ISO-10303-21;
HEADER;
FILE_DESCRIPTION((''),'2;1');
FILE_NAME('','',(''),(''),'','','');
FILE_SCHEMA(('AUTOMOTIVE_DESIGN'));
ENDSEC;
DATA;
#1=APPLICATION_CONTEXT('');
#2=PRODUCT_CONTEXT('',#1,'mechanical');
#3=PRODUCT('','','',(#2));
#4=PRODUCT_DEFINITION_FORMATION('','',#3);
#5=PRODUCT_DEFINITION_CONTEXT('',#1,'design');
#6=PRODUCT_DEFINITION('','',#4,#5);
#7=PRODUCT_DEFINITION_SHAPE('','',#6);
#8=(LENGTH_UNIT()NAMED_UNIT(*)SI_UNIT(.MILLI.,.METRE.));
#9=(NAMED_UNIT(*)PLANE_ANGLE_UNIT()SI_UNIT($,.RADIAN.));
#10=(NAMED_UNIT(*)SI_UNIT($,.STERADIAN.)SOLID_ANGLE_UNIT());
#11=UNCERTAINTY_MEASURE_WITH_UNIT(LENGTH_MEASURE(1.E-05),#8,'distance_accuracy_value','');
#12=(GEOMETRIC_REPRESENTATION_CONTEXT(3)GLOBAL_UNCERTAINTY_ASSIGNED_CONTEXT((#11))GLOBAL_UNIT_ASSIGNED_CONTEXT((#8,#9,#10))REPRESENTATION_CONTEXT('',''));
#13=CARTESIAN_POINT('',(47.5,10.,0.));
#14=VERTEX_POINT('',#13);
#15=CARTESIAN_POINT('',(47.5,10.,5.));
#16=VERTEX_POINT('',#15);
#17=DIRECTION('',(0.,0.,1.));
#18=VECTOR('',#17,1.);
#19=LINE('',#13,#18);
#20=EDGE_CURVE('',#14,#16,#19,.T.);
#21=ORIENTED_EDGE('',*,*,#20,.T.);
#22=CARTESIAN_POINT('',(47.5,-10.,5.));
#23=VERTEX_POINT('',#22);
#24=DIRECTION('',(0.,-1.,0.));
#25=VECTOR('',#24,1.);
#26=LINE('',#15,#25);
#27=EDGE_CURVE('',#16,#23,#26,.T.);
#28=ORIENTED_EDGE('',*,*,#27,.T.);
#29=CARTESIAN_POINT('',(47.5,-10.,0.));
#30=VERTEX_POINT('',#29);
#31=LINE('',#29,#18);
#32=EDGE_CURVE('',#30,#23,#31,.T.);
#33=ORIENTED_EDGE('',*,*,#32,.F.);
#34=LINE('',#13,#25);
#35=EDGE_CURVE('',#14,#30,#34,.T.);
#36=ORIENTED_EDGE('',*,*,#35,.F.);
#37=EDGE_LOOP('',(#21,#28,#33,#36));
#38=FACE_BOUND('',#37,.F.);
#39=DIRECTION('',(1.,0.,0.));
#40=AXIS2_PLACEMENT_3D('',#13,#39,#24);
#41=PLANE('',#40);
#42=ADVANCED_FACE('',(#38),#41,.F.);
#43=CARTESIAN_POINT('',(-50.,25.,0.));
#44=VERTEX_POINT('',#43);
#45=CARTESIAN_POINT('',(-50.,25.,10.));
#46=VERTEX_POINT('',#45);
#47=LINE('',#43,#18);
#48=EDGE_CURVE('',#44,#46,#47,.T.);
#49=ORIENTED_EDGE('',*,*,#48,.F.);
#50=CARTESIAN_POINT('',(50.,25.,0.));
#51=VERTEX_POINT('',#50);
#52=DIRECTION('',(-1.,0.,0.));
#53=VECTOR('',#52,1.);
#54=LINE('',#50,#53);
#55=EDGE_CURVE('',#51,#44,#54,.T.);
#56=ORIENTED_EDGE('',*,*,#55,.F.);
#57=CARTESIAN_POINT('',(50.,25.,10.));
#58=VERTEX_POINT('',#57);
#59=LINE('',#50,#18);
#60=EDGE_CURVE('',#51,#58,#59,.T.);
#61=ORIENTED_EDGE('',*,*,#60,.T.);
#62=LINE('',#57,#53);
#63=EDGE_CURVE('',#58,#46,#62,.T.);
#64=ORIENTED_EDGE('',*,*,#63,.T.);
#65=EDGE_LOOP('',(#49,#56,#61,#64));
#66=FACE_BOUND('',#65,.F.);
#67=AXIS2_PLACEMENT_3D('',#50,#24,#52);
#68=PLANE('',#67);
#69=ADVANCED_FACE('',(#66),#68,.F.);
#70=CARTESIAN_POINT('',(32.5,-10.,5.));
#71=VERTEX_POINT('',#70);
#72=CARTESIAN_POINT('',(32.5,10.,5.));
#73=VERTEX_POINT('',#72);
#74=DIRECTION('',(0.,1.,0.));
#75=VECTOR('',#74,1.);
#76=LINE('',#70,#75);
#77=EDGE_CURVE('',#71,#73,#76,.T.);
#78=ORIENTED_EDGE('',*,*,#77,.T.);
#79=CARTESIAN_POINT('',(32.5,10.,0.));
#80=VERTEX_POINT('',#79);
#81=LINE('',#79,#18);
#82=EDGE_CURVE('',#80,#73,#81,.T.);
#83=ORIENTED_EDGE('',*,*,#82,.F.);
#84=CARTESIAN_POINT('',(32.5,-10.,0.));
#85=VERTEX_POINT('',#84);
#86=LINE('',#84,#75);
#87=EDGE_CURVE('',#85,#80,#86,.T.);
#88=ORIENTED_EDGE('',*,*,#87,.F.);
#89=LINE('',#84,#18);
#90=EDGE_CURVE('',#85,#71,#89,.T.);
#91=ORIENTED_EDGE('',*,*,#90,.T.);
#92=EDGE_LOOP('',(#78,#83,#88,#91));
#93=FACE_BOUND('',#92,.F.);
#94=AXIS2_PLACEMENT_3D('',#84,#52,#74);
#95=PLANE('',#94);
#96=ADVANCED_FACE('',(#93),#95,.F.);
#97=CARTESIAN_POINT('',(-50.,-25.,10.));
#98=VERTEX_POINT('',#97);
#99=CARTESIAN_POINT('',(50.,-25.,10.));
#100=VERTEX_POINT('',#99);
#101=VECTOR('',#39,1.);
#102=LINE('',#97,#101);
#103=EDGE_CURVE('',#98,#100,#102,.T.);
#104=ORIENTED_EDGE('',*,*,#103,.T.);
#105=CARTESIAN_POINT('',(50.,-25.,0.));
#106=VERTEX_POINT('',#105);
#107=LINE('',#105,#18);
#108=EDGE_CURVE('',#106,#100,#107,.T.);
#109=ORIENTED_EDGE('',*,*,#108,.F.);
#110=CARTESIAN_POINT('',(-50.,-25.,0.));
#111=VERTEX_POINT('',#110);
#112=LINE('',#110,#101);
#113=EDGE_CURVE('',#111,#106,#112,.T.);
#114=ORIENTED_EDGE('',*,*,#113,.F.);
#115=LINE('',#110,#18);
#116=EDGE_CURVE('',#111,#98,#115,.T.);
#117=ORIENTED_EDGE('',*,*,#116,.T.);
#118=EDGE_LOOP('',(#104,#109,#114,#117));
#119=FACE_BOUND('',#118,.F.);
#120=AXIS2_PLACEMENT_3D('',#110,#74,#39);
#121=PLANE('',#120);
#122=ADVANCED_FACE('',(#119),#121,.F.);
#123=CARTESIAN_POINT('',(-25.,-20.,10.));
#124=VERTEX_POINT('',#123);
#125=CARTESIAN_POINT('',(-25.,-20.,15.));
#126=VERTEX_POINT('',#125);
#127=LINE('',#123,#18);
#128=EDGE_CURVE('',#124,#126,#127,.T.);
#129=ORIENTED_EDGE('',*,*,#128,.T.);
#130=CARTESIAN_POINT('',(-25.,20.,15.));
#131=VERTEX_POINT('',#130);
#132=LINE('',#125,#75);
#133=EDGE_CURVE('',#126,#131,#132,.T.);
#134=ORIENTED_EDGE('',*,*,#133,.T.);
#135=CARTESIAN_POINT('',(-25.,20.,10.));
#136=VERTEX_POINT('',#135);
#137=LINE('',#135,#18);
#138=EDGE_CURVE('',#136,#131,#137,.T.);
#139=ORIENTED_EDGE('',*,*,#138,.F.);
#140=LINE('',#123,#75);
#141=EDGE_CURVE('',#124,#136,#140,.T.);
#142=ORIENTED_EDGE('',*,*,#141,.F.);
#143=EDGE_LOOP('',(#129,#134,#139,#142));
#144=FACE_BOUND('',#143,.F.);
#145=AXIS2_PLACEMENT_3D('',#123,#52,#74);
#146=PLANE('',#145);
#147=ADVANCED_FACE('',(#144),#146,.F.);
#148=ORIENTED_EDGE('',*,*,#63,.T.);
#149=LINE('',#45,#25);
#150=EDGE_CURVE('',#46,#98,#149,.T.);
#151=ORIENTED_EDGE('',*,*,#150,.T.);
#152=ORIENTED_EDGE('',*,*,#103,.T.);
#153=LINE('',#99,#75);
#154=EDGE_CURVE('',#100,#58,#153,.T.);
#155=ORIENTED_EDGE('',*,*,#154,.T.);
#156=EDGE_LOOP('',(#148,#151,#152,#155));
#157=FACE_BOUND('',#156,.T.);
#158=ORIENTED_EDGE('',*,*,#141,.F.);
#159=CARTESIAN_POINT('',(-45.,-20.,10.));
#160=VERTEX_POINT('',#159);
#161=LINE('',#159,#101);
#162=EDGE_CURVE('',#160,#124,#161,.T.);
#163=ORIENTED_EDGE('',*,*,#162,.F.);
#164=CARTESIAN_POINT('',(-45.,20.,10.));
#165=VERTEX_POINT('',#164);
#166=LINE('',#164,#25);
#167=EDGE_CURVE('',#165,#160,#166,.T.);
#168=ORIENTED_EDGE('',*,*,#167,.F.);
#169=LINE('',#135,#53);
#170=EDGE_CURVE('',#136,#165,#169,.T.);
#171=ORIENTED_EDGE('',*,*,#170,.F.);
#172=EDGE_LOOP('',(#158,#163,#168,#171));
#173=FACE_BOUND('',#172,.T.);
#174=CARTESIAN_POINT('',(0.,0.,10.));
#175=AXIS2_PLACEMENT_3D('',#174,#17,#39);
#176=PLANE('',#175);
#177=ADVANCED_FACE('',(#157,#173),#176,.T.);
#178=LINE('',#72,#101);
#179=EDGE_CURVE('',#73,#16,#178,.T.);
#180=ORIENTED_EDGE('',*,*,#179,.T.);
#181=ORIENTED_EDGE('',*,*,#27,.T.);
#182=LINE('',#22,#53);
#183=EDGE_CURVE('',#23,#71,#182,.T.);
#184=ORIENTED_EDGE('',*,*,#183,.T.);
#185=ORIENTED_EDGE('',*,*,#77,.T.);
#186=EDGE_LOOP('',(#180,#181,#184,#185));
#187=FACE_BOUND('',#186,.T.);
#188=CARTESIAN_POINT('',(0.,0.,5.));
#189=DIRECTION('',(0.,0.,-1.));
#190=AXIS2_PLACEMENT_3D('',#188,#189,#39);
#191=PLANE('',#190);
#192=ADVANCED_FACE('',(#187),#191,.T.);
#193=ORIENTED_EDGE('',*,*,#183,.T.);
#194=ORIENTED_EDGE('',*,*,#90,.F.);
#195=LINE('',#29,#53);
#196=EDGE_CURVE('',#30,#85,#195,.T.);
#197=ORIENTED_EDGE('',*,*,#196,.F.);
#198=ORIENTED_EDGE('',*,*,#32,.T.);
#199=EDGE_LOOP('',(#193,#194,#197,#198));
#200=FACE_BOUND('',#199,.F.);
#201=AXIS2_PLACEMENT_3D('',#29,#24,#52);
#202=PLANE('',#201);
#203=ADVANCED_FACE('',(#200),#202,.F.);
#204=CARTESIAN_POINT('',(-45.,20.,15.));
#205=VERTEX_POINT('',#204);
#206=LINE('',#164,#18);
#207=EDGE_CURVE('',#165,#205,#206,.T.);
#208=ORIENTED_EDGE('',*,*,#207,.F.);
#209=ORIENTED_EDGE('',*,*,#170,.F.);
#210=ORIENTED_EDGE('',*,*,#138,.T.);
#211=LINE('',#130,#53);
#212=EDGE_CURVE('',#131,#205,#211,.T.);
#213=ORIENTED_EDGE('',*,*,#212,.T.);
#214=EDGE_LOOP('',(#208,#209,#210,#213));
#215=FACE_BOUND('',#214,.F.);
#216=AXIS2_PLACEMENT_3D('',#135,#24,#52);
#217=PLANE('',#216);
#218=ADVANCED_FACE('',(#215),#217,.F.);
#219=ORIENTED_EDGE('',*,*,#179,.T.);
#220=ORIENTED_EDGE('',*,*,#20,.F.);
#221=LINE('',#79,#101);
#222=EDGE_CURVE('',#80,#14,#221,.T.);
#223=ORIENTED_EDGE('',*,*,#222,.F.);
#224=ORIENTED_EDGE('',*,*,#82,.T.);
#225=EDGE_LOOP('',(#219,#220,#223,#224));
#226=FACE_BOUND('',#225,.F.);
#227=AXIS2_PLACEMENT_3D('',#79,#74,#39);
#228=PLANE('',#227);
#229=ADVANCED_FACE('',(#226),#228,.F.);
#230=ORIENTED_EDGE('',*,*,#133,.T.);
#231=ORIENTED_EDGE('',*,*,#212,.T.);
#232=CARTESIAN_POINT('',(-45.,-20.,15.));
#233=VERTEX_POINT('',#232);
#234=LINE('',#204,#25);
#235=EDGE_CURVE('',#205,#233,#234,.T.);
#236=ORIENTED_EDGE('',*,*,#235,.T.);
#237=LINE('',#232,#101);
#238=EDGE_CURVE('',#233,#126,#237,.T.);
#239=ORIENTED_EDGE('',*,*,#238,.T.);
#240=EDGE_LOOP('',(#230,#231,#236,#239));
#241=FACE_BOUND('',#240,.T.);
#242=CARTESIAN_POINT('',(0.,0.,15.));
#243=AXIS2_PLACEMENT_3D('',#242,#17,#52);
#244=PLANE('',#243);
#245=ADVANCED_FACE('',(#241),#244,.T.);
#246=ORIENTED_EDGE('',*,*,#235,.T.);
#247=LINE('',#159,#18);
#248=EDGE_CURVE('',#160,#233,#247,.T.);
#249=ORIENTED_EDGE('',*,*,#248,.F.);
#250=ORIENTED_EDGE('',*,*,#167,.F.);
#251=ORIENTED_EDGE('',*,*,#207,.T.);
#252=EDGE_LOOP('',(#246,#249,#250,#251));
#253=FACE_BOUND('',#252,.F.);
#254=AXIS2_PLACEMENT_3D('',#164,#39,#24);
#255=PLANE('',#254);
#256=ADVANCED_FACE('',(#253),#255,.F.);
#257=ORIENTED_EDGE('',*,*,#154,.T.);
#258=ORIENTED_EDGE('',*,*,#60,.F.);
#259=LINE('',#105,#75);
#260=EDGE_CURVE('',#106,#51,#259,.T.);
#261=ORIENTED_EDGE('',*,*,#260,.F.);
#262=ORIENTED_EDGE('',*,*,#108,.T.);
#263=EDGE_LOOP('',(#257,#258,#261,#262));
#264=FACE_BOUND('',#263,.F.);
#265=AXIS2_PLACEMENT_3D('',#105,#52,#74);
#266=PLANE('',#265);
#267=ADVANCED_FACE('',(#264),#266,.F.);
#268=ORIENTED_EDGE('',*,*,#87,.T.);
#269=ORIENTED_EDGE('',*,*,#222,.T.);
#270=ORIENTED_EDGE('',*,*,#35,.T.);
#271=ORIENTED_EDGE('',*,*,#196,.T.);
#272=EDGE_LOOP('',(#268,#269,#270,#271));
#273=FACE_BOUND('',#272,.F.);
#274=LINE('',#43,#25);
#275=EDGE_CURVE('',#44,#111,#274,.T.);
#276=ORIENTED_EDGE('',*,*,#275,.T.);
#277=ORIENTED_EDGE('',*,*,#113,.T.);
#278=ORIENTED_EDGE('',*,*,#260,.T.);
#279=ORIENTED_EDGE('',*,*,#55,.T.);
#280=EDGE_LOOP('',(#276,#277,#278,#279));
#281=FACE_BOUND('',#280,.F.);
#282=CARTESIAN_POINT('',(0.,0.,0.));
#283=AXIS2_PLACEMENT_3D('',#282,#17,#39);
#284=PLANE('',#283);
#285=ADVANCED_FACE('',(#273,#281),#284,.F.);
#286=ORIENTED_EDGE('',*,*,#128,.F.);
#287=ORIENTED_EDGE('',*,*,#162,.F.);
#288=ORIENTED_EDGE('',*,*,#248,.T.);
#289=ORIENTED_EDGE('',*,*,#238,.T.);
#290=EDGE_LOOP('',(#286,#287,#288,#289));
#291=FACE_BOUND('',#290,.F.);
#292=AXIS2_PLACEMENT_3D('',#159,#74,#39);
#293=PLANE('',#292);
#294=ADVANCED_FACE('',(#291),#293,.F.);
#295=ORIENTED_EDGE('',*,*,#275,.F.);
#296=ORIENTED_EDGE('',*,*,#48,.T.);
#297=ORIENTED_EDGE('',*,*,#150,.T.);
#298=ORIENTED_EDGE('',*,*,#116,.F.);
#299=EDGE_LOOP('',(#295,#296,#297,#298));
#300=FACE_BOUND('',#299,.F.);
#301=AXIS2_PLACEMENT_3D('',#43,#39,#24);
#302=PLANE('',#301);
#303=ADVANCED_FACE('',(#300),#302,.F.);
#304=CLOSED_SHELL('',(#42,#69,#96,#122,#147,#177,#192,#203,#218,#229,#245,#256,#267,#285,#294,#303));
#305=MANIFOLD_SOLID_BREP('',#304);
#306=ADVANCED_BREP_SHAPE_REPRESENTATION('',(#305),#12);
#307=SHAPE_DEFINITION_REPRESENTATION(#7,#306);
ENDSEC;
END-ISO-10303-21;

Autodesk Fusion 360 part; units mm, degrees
sketch "machine arm" plane through (0, 0, 0) normal (0, 0, 1) x (1, 0, 0)
  line L0 (-50, -25) -> (50, -25)
  line L1 (50, -25) -> (50, 25)
  line L2 (50, 25) -> (-50, 25)
  line L3 (-50, 25) -> (-50, -25)
  line L4 (-50, -25) -> (50, 25) construction
  line L5 (50, -25) -> (-50, 25) construction
  dimension "d1" = 100
  dimension "d2" = 50
extrude "Extrude1" add sketch "machine arm" along normal blind 10
sketch "socket" plane through (0, 0, 0) normal (0, 0, -1) x (1, 0, 0)
  line L0 (-50, 25) -> (-50, -25)
  line L1 (-50, -25) -> (50, -25)
  line L2 (50, -25) -> (50, 25)
  line L3 (50, 25) -> (-50, 25)
  line L4 (47.5, 10) -> (32.5, 10)
  line L5 (32.5, 10) -> (32.5, -10)
  line L6 (32.5, -10) -> (47.5, -10)
  line L7 (47.5, -10) -> (47.5, 10)
  line L8 (47.5, 10) -> (32.5, -10) construction
  line L9 (32.5, 10) -> (47.5, -10) construction
  point P0 (40, 0)
  dimension "d5" = 15
  dimension "d6" = 20
extrude "Extrude2" cut sketch "socket" against normal blind 5 contours L4 L5 L6 L7
sketch "Sketch3" plane through (0, 0, 10) normal (0, 0, 1) x (-1, 0, 0)
  line L0 (50, -25) -> (50, 25)
  line L1 (50, 25) -> (-50, 25)
  line L2 (-50, 25) -> (-50, -25)
  line L3 (-50, -25) -> (50, -25)
  line L4 (25, -20) -> (45, -20)
  line L5 (45, -20) -> (45, 20)
  line L6 (45, 20) -> (25, 20)
  line L7 (25, 20) -> (25, -20)
  point P0 (25, -20)
extrude "Extrude3" add sketch "Sketch3" along normal blind 5 contours L4 L5 L6 L7
